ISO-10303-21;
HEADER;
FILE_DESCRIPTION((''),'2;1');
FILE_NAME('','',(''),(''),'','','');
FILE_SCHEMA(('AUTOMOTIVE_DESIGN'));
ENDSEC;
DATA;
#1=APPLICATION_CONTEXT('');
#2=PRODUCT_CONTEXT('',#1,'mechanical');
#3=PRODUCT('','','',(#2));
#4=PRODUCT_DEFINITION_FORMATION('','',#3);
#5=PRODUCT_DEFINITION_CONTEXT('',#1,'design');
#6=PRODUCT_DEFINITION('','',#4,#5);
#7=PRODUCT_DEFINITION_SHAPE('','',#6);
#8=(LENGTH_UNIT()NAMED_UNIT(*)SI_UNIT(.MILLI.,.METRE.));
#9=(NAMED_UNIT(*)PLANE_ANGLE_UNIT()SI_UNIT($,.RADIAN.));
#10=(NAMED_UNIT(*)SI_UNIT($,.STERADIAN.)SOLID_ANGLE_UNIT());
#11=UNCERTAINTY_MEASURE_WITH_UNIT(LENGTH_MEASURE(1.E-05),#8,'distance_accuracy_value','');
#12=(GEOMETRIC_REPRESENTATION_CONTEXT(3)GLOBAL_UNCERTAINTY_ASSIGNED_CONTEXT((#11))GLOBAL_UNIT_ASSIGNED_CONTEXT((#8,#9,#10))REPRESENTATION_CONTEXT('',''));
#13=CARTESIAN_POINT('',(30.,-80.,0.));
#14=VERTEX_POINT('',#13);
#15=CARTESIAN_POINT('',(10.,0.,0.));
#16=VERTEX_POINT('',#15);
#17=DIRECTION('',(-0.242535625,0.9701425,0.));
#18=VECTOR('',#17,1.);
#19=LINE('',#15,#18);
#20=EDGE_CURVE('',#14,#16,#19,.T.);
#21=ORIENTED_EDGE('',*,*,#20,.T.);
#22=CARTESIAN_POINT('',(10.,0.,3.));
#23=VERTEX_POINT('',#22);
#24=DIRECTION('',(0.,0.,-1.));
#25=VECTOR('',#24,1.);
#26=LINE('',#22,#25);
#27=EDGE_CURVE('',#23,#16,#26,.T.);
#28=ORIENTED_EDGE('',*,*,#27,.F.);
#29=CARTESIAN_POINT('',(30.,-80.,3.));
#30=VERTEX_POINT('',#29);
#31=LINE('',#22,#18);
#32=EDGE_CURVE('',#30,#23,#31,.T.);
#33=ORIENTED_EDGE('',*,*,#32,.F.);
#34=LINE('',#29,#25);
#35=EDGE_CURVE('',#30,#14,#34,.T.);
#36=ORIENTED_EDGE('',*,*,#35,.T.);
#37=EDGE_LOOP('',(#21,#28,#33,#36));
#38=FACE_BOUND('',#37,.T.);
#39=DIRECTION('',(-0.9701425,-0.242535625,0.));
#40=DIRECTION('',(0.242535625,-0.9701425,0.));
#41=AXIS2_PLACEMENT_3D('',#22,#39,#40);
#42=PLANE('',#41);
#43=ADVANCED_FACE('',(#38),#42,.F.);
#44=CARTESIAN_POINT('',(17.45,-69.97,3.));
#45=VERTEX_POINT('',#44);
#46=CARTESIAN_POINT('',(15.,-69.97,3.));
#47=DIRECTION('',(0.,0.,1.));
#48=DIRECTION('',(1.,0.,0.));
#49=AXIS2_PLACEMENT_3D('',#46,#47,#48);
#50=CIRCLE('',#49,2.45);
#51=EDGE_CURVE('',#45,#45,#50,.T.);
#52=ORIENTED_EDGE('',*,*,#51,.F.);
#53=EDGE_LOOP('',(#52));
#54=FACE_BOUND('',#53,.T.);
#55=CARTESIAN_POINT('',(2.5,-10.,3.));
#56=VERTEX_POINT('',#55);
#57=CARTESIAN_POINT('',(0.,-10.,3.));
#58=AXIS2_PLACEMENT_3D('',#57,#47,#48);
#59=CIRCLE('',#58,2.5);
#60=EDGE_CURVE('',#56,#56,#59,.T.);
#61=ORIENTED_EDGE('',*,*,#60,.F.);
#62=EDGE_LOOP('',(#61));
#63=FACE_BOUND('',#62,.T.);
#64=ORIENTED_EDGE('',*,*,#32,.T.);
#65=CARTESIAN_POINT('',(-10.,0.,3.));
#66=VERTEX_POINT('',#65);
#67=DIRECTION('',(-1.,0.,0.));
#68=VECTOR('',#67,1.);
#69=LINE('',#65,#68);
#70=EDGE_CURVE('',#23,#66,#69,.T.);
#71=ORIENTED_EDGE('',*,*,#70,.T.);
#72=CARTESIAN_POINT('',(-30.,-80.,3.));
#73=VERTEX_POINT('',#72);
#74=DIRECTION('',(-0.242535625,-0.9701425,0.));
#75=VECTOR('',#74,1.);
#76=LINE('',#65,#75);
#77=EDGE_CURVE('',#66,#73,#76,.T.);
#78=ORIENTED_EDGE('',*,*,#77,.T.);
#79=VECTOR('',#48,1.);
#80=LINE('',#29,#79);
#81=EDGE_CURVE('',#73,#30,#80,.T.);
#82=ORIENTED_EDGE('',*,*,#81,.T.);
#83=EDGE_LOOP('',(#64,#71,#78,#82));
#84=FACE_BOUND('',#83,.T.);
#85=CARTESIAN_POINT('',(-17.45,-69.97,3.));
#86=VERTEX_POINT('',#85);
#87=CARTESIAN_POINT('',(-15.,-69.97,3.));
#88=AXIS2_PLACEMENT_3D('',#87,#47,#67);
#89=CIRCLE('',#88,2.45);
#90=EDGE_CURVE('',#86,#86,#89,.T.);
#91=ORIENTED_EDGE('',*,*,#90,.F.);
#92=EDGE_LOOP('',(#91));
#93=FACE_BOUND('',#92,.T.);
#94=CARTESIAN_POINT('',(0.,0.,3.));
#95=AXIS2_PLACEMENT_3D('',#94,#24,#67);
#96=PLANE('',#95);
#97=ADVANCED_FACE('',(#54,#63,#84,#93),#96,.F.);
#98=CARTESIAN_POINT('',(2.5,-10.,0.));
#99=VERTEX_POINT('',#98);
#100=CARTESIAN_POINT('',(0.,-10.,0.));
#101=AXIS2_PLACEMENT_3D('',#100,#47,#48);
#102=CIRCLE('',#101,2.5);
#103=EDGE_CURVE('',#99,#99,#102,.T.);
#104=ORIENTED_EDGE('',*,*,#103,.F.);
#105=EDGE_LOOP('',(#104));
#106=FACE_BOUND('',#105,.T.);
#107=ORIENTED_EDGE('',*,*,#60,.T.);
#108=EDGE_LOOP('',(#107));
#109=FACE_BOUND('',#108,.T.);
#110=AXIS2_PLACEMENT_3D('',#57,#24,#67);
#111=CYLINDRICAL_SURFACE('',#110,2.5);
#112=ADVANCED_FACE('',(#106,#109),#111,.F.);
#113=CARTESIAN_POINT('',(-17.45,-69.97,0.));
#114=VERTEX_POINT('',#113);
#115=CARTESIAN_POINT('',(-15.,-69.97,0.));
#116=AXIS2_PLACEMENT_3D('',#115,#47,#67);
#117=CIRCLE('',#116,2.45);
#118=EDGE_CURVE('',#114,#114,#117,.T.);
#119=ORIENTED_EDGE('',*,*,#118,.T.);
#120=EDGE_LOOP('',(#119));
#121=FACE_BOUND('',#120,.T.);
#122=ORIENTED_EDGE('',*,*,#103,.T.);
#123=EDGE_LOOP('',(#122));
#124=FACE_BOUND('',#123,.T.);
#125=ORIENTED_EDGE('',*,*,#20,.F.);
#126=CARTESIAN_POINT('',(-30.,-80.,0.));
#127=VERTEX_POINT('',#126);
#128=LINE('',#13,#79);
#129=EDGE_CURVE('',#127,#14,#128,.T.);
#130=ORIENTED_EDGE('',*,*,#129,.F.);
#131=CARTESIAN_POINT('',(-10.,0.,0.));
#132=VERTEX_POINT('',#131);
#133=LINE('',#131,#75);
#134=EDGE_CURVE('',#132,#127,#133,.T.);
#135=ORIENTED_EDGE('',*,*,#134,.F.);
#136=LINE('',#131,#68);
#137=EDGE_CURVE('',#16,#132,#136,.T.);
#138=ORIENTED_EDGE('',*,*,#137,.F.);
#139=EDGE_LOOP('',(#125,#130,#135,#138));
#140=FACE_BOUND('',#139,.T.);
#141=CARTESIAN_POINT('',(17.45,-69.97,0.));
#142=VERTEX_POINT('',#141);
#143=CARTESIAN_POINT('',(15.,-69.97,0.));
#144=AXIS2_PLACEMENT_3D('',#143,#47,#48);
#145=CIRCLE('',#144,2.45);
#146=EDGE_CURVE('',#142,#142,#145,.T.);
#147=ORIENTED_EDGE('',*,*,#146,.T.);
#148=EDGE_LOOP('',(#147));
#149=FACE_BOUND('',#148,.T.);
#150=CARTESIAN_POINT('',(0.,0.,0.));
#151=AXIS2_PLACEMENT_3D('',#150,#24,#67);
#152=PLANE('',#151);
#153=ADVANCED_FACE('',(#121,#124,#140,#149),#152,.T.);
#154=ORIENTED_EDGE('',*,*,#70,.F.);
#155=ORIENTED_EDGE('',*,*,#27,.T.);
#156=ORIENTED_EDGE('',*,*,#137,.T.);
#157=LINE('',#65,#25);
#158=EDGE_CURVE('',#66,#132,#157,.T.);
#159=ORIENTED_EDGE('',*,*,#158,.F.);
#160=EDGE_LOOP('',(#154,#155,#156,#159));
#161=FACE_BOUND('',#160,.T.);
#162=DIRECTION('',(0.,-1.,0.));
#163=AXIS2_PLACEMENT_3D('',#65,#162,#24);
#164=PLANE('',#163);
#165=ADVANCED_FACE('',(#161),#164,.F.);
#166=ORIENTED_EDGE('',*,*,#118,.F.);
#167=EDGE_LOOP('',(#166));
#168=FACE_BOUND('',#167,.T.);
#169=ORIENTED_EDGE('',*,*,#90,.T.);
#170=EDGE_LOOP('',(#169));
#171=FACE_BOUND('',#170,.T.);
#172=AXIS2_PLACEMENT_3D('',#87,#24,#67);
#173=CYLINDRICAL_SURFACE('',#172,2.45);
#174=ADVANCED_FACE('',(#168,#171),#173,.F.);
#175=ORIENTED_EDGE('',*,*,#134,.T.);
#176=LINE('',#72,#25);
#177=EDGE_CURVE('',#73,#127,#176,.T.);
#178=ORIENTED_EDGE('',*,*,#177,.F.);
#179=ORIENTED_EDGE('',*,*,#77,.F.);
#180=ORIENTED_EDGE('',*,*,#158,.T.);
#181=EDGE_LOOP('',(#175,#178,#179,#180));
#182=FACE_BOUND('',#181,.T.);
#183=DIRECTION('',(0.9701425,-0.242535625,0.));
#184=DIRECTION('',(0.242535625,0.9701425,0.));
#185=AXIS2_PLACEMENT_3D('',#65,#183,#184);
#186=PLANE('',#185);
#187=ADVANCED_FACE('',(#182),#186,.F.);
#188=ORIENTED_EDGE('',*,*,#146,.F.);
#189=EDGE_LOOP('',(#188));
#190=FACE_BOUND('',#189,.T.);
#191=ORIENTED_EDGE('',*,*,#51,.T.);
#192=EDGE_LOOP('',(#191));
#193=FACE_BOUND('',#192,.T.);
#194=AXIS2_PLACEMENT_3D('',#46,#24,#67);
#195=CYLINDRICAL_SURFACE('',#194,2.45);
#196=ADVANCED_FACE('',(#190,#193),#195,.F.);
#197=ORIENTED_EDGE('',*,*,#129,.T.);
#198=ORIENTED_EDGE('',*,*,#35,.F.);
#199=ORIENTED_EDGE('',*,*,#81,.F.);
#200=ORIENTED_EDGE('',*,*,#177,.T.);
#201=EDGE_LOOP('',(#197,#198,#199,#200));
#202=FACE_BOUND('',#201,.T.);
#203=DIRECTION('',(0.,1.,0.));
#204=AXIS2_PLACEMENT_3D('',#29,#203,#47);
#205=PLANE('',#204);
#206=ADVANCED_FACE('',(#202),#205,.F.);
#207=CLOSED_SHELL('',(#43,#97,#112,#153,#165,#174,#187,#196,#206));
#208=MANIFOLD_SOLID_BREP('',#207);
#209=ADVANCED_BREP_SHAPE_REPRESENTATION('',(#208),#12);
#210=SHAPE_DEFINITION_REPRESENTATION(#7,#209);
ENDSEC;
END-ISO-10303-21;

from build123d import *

# Parameters (mm, degrees)
SKETCH1_R           = 2.5
SKETCH1_R_2         = 2.45
BOSS_EXTRUDE1_DEPTH = 3


with BuildPart() as part:
    # Sketch1 → Boss-Extrude1 (new body)
    with BuildSketch(Plane.XY):
        Polygon((-10, 0), (10, 0), (30, -80), (-30, -80), align=None)
        with Locations((0, -10)):
            Circle(SKETCH1_R, mode=Mode.SUBTRACT)
        with Locations((15, -69.97)):
            Circle(SKETCH1_R_2, mode=Mode.SUBTRACT)
        with Locations((-15, -69.97)):
            Circle(SKETCH1_R_2, mode=Mode.SUBTRACT)
    extrude(amount=BOSS_EXTRUDE1_DEPTH)


solid = part.part
